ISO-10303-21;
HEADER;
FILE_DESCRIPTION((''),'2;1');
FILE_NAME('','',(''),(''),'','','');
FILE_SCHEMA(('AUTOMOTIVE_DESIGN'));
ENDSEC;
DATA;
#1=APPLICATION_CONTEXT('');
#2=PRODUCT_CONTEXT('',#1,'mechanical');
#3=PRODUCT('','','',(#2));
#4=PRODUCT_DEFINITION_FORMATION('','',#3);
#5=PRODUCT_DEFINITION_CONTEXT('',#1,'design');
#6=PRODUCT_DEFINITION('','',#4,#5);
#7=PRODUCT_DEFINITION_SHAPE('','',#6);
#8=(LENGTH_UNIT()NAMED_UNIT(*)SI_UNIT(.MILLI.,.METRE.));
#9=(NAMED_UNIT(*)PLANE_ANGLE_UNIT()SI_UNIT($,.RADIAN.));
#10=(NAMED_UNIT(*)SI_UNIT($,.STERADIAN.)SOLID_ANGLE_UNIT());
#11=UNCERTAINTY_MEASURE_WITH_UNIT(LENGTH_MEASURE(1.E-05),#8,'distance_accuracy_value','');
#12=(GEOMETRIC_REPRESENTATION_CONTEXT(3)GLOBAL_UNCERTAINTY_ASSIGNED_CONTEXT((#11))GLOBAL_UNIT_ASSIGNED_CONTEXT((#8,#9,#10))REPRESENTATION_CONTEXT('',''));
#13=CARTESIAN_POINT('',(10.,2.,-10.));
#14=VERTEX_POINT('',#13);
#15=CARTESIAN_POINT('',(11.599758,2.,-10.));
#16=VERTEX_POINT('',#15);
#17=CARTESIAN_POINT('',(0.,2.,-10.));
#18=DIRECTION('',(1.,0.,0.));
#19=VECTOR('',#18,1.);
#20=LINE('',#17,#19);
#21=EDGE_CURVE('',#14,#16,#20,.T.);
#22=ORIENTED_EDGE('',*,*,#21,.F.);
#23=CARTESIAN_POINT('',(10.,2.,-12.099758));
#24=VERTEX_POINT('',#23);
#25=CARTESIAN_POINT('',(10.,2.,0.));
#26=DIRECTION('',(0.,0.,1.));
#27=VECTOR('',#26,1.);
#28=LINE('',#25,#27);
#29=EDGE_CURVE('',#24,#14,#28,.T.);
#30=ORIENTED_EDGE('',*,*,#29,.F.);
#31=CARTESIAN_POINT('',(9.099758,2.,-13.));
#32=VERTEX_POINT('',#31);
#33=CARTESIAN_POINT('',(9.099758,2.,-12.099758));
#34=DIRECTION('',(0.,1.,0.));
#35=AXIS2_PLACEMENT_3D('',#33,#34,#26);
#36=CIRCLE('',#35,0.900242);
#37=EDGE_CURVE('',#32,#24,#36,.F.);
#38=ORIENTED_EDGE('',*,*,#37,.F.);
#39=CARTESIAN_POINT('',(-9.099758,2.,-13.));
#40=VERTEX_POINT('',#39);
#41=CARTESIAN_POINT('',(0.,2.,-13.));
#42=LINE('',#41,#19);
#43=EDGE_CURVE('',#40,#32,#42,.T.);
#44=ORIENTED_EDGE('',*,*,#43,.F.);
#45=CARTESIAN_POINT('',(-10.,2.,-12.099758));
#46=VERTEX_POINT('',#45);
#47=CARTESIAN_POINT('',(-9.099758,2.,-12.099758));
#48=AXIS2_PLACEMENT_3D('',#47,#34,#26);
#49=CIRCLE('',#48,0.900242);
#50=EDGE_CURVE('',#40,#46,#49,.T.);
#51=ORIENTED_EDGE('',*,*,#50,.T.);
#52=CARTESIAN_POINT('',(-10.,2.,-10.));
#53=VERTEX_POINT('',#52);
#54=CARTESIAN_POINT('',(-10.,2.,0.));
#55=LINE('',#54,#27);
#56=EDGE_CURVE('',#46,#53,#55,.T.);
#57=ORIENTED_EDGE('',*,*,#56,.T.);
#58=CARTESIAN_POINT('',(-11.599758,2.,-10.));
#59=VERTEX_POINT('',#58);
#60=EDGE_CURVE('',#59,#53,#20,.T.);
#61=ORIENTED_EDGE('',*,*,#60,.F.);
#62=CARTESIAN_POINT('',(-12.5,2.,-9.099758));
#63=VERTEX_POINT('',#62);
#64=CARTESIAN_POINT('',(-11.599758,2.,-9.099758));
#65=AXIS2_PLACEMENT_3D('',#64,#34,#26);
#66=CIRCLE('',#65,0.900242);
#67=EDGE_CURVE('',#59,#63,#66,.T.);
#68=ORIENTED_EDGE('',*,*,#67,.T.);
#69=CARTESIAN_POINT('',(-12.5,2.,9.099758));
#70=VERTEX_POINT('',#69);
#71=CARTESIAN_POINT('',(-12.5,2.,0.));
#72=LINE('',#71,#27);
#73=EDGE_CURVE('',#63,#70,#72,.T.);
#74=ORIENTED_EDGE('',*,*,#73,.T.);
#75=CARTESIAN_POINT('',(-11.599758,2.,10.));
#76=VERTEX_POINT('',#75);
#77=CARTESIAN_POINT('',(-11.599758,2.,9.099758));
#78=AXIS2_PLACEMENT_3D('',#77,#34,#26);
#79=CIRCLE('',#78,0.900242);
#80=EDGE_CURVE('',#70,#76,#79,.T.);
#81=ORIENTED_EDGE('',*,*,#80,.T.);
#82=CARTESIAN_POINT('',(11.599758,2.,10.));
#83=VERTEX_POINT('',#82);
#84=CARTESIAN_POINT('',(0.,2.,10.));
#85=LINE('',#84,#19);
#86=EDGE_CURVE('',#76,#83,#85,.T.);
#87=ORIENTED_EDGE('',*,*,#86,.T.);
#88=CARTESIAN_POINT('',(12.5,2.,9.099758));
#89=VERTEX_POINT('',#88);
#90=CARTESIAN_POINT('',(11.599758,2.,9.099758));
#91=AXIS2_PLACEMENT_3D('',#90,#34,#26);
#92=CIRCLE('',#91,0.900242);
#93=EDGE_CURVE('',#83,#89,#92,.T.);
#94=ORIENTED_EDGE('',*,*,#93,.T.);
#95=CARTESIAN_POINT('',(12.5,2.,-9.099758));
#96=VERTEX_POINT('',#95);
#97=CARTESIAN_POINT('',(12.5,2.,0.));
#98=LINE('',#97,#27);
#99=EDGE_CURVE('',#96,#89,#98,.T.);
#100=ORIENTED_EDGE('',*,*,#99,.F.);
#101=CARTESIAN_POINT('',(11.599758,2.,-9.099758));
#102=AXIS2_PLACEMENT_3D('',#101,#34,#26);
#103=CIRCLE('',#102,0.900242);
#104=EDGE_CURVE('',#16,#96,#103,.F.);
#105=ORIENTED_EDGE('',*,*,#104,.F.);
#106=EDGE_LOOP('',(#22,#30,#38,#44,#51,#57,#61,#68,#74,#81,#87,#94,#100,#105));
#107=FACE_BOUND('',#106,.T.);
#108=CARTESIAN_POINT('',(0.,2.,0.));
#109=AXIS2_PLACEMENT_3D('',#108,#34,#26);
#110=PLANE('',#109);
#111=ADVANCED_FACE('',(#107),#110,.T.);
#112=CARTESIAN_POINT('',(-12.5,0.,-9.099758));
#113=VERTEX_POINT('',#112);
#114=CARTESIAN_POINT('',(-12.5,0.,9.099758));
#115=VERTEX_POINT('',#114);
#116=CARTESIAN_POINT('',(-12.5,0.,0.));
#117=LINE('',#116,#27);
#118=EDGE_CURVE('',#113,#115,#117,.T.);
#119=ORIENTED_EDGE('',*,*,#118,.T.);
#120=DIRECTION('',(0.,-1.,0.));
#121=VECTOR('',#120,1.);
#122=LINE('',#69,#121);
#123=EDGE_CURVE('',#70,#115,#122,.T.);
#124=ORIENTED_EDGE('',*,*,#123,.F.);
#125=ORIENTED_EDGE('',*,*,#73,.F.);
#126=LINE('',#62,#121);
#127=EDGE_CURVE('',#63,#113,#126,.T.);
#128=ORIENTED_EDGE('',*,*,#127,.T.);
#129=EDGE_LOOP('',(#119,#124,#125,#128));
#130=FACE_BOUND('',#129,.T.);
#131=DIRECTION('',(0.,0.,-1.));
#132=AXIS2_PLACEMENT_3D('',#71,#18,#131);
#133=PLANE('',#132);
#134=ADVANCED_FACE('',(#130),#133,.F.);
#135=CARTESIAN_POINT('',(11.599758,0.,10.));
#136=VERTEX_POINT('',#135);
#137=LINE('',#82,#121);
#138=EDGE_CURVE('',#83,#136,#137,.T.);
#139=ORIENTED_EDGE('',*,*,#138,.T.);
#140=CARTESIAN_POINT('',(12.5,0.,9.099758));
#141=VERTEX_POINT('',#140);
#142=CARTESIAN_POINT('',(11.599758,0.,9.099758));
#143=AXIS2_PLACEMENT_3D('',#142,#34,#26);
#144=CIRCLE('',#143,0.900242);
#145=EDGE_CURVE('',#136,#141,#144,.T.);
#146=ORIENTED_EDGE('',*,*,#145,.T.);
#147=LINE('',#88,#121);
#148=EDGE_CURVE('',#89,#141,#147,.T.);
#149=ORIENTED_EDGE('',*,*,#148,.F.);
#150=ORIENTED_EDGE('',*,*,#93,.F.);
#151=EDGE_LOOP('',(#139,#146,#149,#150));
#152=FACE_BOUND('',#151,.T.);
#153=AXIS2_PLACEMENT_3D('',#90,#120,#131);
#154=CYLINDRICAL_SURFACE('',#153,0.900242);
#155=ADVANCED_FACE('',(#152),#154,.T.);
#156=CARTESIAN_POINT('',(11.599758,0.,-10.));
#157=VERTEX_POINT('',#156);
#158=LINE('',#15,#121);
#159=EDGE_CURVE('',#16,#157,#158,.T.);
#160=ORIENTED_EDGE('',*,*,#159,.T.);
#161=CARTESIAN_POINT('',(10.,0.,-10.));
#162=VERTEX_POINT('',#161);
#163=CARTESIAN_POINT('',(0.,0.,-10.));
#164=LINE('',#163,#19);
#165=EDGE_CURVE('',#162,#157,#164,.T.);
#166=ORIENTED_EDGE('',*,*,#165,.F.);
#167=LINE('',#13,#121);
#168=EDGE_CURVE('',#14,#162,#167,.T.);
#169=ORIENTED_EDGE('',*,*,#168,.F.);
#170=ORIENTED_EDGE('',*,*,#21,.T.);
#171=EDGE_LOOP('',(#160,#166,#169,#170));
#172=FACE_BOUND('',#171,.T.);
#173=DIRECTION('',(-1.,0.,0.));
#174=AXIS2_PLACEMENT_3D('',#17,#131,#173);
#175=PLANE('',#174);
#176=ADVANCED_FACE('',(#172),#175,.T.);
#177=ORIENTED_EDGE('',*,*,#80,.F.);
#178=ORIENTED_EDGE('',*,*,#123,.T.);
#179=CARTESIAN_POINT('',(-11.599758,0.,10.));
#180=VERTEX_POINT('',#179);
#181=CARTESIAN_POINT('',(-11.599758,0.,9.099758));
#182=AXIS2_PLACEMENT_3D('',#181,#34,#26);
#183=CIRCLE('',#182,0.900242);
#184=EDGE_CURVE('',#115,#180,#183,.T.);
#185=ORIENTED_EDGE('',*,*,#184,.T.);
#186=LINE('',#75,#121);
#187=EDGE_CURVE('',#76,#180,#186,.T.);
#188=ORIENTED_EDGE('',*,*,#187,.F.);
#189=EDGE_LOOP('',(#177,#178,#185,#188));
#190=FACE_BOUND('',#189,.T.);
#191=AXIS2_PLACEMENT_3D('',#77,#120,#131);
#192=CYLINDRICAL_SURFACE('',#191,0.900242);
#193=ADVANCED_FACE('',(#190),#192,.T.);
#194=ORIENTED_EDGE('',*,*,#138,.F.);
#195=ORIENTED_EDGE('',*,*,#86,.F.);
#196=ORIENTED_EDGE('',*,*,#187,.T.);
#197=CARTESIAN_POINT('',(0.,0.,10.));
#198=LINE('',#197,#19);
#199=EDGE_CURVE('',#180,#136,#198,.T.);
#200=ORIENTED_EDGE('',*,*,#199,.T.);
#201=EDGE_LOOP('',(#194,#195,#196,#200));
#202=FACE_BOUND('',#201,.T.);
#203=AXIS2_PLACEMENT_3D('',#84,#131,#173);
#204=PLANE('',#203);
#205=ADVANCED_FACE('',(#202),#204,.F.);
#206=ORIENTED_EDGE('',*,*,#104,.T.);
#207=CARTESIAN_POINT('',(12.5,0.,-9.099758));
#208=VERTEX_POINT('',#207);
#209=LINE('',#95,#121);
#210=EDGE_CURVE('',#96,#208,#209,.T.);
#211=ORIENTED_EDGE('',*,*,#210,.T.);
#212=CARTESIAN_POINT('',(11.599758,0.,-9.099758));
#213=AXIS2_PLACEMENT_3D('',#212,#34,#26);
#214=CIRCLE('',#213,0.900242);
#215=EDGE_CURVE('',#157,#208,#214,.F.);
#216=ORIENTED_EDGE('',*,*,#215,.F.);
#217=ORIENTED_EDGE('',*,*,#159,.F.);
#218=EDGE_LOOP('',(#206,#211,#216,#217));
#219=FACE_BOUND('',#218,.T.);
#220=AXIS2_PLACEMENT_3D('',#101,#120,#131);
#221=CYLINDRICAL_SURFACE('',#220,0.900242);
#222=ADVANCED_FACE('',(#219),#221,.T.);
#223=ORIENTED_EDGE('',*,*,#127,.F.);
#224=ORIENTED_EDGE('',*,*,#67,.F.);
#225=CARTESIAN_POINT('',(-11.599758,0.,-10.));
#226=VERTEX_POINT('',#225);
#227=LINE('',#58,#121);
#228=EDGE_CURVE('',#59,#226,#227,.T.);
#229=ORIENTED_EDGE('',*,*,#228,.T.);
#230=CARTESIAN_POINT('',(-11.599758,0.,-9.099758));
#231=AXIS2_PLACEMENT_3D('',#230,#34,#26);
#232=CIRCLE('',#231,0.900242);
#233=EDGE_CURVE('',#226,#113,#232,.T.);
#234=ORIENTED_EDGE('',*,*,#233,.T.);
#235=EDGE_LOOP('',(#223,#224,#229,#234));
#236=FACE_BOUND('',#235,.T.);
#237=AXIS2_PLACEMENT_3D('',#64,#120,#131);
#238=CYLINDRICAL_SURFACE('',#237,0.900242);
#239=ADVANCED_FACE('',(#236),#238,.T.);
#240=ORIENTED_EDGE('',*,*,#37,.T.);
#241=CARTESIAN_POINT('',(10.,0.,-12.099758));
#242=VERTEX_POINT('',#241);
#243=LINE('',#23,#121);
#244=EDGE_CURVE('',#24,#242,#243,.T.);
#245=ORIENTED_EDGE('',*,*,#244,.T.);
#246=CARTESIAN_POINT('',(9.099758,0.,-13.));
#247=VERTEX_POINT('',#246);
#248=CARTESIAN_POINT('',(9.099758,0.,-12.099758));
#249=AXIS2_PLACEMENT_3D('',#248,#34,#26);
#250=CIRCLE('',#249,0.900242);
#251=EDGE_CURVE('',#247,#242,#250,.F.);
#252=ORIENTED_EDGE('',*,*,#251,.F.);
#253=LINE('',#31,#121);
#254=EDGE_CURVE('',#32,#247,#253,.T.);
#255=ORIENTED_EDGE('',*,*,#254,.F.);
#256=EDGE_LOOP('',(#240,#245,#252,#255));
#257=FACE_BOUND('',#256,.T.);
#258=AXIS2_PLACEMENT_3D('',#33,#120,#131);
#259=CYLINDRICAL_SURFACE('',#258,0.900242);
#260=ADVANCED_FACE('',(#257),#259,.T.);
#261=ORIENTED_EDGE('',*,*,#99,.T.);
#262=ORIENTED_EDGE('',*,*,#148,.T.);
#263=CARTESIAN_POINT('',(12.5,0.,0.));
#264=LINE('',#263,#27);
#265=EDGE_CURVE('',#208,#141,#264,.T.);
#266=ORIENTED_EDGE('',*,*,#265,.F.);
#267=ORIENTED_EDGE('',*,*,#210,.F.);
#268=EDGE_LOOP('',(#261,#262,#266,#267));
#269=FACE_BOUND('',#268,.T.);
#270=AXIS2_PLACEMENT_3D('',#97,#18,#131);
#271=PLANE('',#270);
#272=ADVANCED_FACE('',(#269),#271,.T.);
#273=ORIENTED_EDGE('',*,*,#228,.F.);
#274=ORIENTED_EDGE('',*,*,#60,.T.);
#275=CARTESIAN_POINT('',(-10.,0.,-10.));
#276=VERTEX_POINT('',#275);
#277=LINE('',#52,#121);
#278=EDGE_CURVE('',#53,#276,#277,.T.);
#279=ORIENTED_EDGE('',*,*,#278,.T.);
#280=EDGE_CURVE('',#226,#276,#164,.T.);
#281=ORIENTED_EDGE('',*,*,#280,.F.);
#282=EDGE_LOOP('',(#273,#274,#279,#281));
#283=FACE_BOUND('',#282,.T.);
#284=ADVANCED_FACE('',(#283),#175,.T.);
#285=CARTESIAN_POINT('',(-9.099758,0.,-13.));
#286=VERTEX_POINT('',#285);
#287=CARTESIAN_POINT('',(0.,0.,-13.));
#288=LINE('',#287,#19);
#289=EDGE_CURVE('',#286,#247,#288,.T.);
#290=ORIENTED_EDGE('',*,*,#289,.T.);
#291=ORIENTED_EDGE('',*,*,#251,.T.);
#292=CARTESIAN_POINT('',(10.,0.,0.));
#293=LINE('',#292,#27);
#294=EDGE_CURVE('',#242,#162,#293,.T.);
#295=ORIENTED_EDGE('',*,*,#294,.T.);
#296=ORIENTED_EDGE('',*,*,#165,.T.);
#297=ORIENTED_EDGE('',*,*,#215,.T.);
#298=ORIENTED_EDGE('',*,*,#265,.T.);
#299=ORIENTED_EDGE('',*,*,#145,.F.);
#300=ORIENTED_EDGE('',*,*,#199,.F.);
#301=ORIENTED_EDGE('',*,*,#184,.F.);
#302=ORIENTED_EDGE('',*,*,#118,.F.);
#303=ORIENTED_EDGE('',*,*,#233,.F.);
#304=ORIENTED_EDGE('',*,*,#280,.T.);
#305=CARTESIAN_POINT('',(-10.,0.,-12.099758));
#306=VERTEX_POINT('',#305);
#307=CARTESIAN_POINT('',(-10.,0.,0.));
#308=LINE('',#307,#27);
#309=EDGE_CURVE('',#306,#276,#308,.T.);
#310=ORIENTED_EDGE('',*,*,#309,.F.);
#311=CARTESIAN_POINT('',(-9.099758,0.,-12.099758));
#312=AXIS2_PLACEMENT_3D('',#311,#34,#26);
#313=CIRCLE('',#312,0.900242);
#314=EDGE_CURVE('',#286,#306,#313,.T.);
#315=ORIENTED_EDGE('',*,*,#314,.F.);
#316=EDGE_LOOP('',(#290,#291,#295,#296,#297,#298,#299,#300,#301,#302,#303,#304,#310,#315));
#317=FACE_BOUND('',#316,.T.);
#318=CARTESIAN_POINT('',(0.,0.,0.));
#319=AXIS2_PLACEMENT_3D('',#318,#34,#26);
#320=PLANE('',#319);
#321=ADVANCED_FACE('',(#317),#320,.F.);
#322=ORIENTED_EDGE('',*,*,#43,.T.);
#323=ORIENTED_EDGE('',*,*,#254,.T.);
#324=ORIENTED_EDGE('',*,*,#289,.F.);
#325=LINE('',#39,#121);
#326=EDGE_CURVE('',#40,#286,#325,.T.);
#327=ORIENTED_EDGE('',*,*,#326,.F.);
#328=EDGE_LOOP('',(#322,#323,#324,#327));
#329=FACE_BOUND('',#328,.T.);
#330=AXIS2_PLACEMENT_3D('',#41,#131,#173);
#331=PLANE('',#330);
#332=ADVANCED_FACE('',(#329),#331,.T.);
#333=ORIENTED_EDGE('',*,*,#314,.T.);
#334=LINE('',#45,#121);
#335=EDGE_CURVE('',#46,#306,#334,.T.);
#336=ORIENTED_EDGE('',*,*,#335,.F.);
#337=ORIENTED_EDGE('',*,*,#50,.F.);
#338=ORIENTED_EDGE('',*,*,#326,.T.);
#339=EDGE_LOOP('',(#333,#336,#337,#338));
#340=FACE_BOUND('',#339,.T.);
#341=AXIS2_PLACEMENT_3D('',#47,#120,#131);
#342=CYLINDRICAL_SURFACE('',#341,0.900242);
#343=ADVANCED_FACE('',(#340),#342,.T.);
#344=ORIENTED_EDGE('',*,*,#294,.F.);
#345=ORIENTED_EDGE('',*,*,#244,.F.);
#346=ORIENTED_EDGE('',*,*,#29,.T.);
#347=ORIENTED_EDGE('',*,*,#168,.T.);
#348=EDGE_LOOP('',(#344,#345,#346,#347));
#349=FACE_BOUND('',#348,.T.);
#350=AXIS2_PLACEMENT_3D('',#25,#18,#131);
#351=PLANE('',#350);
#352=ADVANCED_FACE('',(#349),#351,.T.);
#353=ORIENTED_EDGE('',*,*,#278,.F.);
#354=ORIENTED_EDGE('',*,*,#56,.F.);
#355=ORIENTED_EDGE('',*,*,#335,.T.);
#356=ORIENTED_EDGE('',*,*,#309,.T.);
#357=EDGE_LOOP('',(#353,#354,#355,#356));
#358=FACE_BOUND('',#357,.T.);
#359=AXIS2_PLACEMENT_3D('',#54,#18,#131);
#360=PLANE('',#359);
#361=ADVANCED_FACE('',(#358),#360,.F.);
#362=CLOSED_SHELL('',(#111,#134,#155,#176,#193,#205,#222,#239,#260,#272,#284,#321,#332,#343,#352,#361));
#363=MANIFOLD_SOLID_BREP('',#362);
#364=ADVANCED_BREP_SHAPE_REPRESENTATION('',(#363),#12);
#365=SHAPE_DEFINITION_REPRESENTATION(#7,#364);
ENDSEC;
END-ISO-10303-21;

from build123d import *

# Parameters (mm, degrees)
ESBO_O1_W                = 20
ESBO_O1_H                = 3
RESSALTO_EXTRUS_O1_DEPTH = 2


with BuildPart() as part:
    # Esboço1 → Ressalto-extrusão1 (new body)
    with BuildSketch(Plane(origin=(0, 0, 0), x_dir=(1, 0, 0), z_dir=(0, 1, 0))):
        with BuildLine():
            Line((-10, 10), (-11.599758025, 10))
            ThreePointArc((-11.599758025, 10), (-12.23632523, 9.73632523), (-12.5, 9.099758025))
            Line((-12.5, 9.099758025), (-12.5, -9.099758025))
            ThreePointArc((-12.5, -9.099758025), (-12.23632523, -9.73632523), (-11.599758025, -10))
            Line((-11.599758025, -10), (11.599758025, -10))
            ThreePointArc((11.599758025, -10), (12.23632523, -9.73632523), (12.5, -9.099758025))
            Line((12.5, -9.099758025), (12.5, 9.099758025))
            ThreePointArc((12.5, 9.099758025), (12.23632523, 9.73632523), (11.599758025, 10))
            Line((11.599758025, 10), (10, 10))
            Line((10, 10), (10, 7))
            Line((10, 7), (-10, 7))
            Line((-10, 7), (-10, 10))
        make_face()
        with BuildLine():
            Line((-10, 12.099758025), (-10, 10))
            Line((-10, 10), (10, 10))
            Line((10, 10), (10, 12.099758025))
            ThreePointArc((10, 12.099758025), (9.73632523, 12.73632523), (9.099758025, 13))
            Line((9.099758025, 13), (-9.099758025, 13))
            ThreePointArc((-9.099758025, 13), (-9.73632523, 12.73632523), (-10, 12.099758025))
        make_face()
        with Locations((0, 8.5)):
            Rectangle(ESBO_O1_W, ESBO_O1_H)
    extrude(amount=RESSALTO_EXTRUS_O1_DEPTH)


solid = part.part
